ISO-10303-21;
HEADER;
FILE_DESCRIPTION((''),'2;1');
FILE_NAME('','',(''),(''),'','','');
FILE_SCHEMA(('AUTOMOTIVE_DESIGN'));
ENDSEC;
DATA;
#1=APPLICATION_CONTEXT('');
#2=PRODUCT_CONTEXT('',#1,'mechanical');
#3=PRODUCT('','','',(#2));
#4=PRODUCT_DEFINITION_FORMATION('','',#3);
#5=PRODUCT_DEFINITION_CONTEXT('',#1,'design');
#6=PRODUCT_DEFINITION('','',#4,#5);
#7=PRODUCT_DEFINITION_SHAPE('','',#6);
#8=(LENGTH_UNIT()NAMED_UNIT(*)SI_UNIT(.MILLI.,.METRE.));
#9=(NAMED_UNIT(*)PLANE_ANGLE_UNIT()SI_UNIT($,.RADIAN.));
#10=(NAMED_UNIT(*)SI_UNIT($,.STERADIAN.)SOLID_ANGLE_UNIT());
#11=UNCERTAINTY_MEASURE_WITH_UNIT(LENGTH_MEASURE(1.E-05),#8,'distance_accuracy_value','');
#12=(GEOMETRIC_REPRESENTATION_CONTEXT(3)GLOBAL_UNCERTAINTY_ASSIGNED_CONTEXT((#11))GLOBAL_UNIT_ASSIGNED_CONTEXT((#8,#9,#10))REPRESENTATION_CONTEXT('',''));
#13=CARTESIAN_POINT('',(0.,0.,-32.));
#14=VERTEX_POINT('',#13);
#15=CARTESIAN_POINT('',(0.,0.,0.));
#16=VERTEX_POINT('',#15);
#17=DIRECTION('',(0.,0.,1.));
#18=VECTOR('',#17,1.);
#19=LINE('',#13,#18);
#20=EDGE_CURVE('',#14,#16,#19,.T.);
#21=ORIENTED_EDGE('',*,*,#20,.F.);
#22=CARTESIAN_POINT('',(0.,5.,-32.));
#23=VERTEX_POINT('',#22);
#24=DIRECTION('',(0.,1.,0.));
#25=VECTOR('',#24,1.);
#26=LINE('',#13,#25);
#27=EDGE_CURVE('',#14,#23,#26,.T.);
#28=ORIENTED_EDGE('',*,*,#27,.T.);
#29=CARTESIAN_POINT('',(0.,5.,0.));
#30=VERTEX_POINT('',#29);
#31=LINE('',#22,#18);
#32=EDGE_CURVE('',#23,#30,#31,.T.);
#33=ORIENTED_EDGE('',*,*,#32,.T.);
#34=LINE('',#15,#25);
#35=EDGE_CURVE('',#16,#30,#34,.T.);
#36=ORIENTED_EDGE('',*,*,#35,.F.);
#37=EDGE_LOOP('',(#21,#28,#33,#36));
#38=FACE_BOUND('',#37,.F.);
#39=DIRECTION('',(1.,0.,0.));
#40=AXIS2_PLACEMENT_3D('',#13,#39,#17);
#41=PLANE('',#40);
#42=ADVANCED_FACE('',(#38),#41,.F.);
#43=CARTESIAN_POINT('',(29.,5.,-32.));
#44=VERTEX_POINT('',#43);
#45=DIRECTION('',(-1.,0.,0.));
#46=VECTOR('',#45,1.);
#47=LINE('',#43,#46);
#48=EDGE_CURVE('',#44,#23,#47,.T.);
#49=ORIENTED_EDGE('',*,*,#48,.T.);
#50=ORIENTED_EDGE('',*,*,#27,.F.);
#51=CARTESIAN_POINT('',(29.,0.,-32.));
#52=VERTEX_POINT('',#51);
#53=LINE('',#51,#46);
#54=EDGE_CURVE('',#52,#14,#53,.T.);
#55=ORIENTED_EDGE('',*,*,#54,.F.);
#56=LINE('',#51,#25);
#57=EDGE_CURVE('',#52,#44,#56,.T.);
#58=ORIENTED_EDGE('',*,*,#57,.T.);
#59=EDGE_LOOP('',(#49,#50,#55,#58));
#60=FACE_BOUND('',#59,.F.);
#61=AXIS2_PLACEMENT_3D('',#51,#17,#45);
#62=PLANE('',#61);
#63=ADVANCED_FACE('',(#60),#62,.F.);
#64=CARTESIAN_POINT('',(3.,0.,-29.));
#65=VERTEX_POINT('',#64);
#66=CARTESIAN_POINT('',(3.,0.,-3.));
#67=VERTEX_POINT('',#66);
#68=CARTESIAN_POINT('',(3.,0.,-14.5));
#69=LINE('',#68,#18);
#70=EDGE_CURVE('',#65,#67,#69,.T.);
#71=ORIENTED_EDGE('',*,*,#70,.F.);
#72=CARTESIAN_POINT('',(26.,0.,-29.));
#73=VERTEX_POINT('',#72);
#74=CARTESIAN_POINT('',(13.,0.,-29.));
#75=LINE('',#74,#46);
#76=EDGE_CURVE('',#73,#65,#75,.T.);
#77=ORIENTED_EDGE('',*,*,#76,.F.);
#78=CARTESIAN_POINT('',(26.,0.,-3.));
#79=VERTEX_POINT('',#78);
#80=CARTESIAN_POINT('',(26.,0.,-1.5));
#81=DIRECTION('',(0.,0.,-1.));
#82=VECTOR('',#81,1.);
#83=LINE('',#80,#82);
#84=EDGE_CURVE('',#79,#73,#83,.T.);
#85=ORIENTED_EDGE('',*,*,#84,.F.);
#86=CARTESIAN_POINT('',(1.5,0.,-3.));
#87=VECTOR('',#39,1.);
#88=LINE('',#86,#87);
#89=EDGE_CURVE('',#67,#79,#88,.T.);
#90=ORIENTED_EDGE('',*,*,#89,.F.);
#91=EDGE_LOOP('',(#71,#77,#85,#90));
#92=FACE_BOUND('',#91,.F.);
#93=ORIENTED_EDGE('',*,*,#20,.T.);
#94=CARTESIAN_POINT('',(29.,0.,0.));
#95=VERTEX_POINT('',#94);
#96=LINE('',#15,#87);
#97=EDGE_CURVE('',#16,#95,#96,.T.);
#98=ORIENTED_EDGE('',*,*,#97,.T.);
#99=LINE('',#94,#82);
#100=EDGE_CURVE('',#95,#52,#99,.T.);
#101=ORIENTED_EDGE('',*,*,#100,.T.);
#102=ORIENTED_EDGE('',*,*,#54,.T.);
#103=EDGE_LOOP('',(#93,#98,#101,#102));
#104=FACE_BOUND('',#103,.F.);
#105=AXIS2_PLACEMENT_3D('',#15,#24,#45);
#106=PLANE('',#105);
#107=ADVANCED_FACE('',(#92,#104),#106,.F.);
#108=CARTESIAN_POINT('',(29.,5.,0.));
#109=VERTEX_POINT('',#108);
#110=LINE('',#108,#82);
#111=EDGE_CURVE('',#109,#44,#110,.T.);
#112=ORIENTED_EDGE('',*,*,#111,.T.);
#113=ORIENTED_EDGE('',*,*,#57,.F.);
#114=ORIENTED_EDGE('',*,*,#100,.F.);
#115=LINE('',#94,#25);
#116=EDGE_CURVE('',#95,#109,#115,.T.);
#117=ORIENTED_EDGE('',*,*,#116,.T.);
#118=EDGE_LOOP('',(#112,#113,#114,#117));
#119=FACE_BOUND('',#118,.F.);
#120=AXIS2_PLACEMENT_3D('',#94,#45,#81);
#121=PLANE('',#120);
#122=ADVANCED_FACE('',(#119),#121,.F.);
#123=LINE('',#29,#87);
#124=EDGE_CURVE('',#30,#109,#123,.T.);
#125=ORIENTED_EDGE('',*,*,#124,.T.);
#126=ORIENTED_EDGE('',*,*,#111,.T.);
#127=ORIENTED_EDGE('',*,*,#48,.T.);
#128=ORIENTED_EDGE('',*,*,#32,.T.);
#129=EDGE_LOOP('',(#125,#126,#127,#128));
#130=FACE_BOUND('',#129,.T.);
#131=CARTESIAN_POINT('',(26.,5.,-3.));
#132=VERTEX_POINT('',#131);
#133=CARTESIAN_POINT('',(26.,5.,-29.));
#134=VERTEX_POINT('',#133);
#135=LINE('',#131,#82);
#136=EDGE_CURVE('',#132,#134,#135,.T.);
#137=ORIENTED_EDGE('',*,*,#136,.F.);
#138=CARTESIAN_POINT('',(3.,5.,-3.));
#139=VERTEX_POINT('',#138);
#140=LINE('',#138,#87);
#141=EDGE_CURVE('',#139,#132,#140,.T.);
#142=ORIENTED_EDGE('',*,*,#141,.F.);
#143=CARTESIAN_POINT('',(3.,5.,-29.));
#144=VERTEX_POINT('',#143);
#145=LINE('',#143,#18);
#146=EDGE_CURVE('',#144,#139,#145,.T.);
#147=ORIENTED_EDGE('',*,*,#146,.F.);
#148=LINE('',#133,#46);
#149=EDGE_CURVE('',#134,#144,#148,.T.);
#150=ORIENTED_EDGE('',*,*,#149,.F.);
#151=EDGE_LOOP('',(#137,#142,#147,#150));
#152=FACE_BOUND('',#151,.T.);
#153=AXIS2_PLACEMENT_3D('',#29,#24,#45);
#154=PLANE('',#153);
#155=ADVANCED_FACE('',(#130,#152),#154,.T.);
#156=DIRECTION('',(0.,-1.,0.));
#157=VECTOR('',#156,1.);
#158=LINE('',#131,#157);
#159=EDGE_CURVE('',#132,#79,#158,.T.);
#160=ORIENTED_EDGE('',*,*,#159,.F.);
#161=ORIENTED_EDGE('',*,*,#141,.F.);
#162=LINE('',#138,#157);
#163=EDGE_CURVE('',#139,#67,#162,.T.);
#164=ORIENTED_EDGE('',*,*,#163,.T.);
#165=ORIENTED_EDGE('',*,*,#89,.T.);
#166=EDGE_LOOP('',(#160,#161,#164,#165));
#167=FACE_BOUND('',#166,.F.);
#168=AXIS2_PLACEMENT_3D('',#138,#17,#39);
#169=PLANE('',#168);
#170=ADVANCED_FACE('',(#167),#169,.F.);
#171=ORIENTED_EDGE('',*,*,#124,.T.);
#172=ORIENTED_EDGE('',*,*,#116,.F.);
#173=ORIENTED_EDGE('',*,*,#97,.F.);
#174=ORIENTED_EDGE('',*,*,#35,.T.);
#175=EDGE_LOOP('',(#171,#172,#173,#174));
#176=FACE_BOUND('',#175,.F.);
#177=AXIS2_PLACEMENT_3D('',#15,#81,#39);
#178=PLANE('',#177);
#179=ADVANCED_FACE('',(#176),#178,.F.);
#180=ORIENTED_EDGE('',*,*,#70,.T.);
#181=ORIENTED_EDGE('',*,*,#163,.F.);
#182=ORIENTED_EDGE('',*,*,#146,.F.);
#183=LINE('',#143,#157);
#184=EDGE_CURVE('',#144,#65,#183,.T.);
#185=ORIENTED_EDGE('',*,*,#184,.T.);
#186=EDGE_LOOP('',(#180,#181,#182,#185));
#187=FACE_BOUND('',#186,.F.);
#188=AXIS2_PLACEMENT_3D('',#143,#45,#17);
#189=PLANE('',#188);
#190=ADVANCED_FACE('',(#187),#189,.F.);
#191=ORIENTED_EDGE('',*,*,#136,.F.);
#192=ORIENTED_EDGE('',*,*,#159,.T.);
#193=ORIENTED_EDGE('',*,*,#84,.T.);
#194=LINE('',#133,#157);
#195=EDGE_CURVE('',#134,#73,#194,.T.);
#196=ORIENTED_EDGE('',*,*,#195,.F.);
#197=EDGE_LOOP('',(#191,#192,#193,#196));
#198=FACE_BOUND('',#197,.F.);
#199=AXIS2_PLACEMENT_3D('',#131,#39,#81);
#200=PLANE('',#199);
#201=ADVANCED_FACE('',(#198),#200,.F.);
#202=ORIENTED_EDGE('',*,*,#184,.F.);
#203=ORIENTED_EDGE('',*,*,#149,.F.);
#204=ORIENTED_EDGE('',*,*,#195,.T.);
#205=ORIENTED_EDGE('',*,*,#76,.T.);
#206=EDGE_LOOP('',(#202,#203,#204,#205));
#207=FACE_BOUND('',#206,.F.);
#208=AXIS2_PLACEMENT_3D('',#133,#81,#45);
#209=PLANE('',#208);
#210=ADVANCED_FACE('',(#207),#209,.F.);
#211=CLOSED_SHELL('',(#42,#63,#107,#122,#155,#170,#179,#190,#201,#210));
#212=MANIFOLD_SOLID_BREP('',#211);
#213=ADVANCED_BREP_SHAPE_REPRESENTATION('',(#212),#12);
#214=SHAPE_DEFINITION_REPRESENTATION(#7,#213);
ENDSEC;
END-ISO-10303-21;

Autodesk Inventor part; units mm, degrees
ref_plane "YZ Plane" through (0, 0, 0) normal (1, 0, 0) x (0, 1, 0)
ref_plane "XZ Plane" through (0, 0, 0) normal (0, 1, 0) x (-1, 0, 0)
ref_plane "XY Plane" through (0, 0, 0) normal (0, 0, 1) x (1, 0, 0)
sketch "Sketch1" plane through (0, 0, 0) normal (0, 1, 0) x (-1, 0, 0)
  line L0 (0, 0) -> (-29, 0)
  line L1 (-29, 0) -> (-29, -32)
  line L2 (-29, -32) -> (0, -32)
  line L3 (0, -32) -> (0, 0)
  dimension "d0" = 29
  dimension "d1" = 32
extrude "Extrusion1" add sketch "Sketch1" along normal blind 5
sketch "Sketch3" plane through (0, 5, 0) normal (0, 1, 0) x (1, 0, 0)
  line L0 (29, 0) -> (29, 32) construction
  line L1 (0, 0) -> (29, 0) construction
  line L2 (29, 32) -> (0, 0) construction
  line L3 (3, 3) -> (26, 3)
  line L4 (26, 3) -> (26, 29)
  line L5 (26, 29) -> (3, 29)
  line L6 (3, 29) -> (3, 3)
  line L7 (3, 3) -> (26, 29) construction
  line L8 (26, 3) -> (3, 29) construction
  point P0 (14.5, 16)
  dimension "d4" = 23
  dimension "d5" = 26
extrude "Extrusion2" cut sketch "Sketch3" against normal through all
properties part number "sop"
